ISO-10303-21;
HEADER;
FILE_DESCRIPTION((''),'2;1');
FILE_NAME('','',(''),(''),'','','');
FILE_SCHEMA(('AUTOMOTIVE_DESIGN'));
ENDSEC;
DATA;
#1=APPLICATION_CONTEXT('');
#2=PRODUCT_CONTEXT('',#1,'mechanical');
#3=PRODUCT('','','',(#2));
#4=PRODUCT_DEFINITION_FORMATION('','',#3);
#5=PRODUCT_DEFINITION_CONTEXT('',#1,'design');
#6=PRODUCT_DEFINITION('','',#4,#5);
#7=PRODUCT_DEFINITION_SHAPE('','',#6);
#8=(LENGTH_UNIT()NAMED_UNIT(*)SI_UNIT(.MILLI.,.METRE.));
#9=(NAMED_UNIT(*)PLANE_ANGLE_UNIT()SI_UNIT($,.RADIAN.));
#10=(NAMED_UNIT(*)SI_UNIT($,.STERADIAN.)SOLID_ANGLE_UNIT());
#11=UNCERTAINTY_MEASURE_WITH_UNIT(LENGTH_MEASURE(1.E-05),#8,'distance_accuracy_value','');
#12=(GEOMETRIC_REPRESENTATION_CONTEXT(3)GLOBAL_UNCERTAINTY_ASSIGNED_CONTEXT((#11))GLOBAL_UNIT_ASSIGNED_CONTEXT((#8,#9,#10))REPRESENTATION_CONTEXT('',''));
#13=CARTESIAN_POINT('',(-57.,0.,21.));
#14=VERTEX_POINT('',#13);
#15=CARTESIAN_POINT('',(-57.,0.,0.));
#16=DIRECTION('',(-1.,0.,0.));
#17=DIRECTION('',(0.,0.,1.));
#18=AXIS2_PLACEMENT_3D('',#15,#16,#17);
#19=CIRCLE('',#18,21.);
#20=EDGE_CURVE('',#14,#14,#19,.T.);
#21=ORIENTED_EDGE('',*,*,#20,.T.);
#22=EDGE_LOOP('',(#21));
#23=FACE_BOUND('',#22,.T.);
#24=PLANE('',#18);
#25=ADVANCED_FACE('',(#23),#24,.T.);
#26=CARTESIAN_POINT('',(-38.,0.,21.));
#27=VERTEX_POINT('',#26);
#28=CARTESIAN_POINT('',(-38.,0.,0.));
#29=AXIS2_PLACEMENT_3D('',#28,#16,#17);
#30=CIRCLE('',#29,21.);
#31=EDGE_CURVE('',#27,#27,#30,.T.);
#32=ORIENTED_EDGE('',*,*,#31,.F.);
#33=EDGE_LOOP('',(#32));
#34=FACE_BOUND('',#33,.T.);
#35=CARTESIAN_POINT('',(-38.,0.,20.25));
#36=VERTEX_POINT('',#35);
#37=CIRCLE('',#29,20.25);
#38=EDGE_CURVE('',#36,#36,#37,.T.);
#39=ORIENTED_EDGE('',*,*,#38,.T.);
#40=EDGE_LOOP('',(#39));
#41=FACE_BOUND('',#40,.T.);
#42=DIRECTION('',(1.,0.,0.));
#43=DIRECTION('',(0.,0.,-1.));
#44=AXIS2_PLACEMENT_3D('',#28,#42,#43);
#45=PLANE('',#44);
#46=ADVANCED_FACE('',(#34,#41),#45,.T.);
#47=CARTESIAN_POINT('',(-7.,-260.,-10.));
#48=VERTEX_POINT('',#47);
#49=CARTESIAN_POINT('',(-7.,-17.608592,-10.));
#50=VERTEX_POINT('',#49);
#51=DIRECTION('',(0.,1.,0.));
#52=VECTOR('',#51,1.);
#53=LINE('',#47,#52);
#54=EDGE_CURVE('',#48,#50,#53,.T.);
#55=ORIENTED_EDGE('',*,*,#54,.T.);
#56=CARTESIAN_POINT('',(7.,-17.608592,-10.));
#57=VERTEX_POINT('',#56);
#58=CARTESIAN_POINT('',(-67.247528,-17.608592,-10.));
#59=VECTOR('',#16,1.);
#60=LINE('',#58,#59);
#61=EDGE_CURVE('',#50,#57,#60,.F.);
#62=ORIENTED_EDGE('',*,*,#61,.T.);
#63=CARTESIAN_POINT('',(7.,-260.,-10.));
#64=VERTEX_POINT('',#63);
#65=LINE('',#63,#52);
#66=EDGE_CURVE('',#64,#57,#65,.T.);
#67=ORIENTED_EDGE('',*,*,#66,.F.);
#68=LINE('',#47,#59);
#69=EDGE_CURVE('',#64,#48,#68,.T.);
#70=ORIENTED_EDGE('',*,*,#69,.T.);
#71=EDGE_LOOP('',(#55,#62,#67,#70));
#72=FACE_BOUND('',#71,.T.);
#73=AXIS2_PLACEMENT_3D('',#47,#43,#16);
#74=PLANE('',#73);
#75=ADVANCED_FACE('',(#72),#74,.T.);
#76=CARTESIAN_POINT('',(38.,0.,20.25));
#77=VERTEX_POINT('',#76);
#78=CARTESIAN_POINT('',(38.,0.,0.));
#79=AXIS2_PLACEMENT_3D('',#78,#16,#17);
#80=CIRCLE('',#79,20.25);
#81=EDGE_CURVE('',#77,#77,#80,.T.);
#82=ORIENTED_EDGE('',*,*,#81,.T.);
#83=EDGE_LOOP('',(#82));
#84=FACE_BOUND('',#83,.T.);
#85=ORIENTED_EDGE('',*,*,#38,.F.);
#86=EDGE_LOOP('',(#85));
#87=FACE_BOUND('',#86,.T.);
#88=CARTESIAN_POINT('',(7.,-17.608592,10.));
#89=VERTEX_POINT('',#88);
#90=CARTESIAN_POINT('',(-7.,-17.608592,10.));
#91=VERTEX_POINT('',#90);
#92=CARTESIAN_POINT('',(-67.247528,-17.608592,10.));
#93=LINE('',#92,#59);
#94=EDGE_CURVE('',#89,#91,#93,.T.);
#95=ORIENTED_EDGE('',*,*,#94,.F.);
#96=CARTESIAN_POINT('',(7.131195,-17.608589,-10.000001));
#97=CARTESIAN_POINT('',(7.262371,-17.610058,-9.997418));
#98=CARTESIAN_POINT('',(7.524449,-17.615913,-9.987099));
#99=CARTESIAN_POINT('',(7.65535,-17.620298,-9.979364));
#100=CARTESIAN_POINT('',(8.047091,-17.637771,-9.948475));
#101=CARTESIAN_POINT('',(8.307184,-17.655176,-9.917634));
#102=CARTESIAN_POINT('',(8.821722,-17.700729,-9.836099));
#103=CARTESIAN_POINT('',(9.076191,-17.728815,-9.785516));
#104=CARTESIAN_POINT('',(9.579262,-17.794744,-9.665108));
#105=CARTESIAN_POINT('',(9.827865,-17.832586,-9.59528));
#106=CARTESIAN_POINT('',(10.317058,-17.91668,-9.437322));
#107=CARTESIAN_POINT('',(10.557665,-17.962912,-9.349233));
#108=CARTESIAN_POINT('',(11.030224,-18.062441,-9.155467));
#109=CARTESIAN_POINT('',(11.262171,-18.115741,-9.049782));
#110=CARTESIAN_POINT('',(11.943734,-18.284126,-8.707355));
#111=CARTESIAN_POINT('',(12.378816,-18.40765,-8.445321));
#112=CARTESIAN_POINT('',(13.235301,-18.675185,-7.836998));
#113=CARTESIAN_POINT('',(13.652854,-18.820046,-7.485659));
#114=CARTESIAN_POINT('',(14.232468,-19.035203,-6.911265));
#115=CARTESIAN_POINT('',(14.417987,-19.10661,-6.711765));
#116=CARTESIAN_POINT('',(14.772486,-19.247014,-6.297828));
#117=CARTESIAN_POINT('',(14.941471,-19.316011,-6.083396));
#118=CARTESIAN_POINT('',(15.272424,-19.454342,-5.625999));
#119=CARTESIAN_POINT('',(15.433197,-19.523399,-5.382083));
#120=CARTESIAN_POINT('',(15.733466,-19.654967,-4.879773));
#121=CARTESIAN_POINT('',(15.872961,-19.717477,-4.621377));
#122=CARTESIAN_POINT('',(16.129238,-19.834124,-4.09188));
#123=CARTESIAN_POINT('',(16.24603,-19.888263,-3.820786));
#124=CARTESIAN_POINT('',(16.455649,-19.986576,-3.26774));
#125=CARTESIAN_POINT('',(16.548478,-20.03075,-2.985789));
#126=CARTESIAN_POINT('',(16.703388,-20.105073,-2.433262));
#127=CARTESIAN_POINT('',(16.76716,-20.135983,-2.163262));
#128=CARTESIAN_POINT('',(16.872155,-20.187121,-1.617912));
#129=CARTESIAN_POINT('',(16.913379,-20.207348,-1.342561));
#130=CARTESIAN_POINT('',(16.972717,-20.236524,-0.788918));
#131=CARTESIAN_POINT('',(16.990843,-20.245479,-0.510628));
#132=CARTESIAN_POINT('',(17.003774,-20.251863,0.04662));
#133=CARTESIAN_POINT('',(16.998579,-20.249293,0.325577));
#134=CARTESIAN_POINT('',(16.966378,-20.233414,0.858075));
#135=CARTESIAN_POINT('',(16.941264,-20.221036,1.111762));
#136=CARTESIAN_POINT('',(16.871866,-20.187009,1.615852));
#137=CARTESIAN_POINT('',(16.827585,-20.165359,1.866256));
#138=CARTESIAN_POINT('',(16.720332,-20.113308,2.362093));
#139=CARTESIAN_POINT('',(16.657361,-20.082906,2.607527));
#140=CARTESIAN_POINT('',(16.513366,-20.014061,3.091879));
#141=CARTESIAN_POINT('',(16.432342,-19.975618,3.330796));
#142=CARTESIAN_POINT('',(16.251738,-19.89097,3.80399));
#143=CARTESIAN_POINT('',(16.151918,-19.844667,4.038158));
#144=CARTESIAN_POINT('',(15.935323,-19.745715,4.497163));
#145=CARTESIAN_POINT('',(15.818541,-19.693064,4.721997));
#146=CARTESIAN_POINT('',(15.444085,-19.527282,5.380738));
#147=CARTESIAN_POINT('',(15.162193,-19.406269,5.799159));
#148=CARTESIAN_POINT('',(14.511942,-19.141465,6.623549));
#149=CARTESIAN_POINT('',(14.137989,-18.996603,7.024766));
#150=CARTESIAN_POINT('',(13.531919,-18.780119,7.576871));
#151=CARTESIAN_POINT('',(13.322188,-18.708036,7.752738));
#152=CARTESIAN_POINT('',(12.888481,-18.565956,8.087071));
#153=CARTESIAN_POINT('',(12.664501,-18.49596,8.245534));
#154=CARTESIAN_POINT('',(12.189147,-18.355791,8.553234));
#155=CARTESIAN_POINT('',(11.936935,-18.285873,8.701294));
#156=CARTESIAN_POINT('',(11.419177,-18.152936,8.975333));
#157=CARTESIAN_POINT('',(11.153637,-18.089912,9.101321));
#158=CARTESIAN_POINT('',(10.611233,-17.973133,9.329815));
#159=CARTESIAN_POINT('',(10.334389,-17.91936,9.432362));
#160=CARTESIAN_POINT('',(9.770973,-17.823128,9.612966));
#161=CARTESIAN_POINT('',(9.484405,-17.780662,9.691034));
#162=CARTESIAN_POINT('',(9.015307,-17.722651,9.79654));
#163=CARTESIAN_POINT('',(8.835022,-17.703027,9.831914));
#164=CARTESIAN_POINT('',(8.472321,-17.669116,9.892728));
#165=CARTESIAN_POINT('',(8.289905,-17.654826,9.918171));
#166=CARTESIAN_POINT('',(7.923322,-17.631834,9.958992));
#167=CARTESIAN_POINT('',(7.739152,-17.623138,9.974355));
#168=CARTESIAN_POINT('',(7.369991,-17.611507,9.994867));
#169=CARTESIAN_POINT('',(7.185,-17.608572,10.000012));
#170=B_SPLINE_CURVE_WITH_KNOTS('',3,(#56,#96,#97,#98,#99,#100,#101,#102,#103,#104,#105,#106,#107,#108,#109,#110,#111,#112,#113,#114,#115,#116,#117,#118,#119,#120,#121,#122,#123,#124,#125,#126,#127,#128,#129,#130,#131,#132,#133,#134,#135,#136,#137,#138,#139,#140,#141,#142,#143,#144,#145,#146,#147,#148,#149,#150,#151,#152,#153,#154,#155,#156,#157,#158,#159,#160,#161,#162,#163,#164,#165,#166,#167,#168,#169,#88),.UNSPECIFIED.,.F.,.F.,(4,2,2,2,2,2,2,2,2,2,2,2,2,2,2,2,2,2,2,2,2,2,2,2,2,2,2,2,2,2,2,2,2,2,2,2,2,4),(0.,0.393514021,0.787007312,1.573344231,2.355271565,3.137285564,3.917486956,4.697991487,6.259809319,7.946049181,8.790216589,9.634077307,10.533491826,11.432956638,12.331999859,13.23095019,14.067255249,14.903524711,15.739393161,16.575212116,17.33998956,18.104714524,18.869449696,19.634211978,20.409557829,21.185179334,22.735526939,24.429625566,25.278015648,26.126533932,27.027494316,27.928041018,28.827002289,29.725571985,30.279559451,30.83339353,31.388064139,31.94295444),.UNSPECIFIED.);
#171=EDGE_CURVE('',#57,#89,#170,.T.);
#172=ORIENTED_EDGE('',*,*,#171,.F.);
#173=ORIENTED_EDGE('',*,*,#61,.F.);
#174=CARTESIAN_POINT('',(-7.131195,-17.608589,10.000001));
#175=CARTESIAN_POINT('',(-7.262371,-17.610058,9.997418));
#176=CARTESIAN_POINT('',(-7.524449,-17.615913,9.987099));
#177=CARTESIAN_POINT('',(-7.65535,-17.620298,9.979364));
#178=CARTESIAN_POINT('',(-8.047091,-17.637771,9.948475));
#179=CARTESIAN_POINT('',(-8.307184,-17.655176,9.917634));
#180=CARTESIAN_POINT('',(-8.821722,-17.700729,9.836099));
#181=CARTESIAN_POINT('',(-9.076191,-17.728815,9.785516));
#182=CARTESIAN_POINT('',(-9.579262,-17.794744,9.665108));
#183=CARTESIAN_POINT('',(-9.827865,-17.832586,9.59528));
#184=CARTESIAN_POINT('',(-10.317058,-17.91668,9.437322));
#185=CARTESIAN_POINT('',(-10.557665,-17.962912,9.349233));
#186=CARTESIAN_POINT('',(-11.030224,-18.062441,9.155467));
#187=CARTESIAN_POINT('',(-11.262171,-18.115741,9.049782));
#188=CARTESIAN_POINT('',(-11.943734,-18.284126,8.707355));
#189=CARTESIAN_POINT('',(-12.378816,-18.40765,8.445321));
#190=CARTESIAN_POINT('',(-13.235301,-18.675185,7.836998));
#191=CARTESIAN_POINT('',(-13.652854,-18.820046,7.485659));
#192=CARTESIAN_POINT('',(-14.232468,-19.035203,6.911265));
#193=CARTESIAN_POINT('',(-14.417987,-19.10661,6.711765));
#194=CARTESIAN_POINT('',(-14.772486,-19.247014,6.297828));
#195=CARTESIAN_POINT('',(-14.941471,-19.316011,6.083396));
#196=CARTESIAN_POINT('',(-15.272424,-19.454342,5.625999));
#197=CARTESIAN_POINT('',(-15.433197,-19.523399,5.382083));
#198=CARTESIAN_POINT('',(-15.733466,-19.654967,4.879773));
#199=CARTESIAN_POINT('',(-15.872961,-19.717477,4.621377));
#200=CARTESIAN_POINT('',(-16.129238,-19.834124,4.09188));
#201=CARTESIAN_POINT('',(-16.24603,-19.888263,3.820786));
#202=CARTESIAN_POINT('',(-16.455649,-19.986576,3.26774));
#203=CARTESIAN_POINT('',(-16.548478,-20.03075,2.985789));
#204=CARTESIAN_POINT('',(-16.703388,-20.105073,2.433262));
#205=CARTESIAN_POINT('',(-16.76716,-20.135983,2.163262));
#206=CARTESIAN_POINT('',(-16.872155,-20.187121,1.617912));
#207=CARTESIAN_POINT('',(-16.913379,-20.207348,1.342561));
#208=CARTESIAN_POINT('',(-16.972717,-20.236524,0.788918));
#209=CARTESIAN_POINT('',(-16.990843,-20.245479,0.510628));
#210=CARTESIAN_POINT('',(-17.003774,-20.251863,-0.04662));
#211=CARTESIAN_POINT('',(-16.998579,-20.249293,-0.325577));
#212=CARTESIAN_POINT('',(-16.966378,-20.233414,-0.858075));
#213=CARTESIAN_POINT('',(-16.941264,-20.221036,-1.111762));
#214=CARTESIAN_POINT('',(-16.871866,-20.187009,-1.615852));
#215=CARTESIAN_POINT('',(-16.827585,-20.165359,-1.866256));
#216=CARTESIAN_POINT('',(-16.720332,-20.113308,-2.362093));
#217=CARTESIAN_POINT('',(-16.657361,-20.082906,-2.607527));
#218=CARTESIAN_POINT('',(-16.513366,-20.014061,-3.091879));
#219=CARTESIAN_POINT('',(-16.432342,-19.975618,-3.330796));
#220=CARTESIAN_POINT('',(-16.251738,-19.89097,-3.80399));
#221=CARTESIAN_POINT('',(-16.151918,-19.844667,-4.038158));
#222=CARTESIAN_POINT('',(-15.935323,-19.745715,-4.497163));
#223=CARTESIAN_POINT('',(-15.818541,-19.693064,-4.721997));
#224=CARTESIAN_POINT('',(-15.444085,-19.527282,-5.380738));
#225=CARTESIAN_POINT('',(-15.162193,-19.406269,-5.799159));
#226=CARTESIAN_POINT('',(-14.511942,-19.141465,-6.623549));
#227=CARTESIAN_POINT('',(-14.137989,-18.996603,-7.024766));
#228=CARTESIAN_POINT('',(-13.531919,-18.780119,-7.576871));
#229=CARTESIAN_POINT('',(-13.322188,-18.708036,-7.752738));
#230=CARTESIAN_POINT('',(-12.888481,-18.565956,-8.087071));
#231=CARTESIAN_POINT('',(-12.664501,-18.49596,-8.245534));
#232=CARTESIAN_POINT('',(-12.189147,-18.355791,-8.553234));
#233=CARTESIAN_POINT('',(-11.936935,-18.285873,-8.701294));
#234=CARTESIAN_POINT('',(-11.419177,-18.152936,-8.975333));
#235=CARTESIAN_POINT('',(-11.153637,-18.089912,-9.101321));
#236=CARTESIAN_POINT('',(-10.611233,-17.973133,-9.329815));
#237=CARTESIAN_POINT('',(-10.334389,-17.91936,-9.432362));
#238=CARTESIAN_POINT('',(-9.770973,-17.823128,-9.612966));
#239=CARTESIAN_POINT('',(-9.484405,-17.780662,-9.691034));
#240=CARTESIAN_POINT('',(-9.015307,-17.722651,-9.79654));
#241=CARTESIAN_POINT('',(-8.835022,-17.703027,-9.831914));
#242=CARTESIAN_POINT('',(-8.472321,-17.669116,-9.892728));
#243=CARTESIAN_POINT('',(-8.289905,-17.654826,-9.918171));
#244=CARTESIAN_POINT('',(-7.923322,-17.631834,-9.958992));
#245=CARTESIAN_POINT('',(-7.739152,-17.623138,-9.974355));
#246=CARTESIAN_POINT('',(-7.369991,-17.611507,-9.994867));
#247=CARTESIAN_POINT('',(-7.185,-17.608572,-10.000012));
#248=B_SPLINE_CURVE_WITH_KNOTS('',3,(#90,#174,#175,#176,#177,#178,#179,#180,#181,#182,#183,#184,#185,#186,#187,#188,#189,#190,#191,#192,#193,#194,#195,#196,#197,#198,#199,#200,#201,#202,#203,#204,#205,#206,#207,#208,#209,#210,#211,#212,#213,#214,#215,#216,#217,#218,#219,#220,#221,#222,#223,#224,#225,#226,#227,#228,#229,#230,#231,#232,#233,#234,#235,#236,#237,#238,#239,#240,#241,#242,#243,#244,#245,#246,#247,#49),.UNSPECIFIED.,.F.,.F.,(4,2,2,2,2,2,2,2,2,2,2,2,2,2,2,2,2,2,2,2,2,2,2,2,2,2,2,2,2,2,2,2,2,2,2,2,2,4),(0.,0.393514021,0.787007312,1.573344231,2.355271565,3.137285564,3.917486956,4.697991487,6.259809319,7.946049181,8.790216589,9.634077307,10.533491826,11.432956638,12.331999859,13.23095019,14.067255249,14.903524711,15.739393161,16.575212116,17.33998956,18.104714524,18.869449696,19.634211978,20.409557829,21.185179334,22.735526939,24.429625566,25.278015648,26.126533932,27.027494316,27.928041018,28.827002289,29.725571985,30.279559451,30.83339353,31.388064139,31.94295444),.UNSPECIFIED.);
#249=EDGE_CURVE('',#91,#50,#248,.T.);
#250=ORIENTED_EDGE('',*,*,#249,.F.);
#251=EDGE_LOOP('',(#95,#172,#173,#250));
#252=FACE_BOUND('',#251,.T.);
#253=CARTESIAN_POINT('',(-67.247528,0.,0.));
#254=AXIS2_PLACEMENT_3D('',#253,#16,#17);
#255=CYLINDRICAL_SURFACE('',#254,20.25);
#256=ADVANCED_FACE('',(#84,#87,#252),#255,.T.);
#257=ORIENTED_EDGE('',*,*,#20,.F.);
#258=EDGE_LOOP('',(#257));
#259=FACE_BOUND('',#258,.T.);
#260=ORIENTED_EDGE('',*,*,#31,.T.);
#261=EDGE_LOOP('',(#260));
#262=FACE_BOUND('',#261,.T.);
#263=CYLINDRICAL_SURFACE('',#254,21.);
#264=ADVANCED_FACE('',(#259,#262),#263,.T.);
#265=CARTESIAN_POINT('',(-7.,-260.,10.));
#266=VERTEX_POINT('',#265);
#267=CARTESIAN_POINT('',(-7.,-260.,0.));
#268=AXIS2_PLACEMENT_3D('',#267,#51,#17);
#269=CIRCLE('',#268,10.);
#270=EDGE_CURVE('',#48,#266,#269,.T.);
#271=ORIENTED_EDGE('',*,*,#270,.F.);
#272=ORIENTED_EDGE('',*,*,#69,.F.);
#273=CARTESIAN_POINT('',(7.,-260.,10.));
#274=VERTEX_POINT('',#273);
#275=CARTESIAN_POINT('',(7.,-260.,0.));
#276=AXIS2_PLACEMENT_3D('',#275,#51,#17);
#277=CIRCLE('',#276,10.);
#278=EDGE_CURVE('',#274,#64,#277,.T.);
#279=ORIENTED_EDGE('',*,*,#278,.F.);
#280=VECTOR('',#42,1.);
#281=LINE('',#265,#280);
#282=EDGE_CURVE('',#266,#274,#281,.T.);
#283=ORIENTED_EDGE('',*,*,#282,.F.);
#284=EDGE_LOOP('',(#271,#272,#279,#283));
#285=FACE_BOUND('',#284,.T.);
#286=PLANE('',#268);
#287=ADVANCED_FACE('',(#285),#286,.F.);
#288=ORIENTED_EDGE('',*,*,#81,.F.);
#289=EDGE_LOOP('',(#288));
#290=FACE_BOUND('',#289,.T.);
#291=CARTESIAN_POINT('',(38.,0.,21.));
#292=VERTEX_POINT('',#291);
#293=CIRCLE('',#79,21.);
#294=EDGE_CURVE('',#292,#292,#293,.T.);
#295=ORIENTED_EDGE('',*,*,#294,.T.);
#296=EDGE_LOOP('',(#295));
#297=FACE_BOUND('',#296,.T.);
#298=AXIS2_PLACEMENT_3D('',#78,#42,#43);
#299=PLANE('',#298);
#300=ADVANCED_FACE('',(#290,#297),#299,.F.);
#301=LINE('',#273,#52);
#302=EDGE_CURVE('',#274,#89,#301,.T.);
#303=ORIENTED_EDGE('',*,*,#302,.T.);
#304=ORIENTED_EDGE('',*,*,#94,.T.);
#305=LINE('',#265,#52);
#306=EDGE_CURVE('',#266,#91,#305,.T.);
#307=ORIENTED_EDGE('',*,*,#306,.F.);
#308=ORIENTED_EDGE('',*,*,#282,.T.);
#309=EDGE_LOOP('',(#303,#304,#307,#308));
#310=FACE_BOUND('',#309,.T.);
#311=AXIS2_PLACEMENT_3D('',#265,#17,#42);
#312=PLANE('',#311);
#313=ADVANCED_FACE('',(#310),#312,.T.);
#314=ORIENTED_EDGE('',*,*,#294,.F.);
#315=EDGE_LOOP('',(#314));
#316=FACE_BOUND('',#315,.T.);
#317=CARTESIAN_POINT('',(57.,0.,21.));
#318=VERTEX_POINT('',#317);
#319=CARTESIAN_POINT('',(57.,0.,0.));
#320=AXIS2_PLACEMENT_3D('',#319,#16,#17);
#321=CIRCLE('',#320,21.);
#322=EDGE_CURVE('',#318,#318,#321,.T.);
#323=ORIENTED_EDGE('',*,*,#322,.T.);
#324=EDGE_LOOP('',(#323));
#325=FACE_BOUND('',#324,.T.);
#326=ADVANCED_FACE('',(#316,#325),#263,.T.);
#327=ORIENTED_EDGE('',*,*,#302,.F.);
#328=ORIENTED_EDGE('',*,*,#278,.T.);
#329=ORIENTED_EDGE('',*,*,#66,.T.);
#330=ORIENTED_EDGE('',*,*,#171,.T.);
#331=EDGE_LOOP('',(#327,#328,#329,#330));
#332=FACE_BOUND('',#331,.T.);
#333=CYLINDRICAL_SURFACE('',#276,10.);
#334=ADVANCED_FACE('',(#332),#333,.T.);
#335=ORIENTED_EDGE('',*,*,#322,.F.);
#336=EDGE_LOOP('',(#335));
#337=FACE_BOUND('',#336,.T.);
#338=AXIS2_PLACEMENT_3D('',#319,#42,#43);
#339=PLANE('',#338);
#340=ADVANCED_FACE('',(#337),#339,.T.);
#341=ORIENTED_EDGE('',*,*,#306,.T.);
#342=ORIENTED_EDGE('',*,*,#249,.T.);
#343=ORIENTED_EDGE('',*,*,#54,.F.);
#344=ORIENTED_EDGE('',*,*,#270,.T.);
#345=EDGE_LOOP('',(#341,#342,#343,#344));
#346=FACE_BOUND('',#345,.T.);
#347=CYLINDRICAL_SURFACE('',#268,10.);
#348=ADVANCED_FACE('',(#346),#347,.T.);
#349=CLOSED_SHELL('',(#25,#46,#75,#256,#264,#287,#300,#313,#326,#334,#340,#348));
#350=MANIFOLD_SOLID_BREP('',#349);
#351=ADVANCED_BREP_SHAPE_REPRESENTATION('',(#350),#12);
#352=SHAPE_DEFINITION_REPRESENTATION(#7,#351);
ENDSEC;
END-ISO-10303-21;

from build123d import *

# Parameters (mm, degrees)
SKIZZE1_W                       = 76
SKIZZE1_H                       = 20.25
AUFSATZ_LINEAR_AUSTRAGEN1_DEPTH = 260


with BuildPart() as part:
    # Skizze1 → Rotation1 (revolve)
    with BuildSketch(Plane.XY, mode=Mode.PRIVATE) as rotation1_sk:
        with Locations((0, 10.125)):
            Rectangle(SKIZZE1_W, SKIZZE1_H)
        Polygon((-57, 21), (-57, 0), (-38, 0), (-38, 20.25), (-38, 21), align=None)
        Polygon((38, 20.25), (38, 0), (57, 0), (57, 21), (38, 21), align=None)
    revolve(rotation1_sk.sketch.rotate(Axis((-67.247528095, 0, 0), (1, 0, 0)), 90), axis=Axis((-67.247528095, 0, 0), (1, 0, 0)))

    # Skizze2 → Aufsatz-Linear austragen1 (add)
    with BuildSketch(Plane(origin=(0, 0, 0), x_dir=(1, 0, 0), z_dir=(0, 1, 0))):
        with BuildLine():
            Line((-7, 10), (7, 10))
            ThreePointArc((7, 10), (17, 0), (7, -10))
            Line((7, -10), (-7, -10))
            ThreePointArc((-7, -10), (-17, 0), (-7, 10))
        make_face()
    extrude(amount=-AUFSATZ_LINEAR_AUSTRAGEN1_DEPTH)


solid = part.part
